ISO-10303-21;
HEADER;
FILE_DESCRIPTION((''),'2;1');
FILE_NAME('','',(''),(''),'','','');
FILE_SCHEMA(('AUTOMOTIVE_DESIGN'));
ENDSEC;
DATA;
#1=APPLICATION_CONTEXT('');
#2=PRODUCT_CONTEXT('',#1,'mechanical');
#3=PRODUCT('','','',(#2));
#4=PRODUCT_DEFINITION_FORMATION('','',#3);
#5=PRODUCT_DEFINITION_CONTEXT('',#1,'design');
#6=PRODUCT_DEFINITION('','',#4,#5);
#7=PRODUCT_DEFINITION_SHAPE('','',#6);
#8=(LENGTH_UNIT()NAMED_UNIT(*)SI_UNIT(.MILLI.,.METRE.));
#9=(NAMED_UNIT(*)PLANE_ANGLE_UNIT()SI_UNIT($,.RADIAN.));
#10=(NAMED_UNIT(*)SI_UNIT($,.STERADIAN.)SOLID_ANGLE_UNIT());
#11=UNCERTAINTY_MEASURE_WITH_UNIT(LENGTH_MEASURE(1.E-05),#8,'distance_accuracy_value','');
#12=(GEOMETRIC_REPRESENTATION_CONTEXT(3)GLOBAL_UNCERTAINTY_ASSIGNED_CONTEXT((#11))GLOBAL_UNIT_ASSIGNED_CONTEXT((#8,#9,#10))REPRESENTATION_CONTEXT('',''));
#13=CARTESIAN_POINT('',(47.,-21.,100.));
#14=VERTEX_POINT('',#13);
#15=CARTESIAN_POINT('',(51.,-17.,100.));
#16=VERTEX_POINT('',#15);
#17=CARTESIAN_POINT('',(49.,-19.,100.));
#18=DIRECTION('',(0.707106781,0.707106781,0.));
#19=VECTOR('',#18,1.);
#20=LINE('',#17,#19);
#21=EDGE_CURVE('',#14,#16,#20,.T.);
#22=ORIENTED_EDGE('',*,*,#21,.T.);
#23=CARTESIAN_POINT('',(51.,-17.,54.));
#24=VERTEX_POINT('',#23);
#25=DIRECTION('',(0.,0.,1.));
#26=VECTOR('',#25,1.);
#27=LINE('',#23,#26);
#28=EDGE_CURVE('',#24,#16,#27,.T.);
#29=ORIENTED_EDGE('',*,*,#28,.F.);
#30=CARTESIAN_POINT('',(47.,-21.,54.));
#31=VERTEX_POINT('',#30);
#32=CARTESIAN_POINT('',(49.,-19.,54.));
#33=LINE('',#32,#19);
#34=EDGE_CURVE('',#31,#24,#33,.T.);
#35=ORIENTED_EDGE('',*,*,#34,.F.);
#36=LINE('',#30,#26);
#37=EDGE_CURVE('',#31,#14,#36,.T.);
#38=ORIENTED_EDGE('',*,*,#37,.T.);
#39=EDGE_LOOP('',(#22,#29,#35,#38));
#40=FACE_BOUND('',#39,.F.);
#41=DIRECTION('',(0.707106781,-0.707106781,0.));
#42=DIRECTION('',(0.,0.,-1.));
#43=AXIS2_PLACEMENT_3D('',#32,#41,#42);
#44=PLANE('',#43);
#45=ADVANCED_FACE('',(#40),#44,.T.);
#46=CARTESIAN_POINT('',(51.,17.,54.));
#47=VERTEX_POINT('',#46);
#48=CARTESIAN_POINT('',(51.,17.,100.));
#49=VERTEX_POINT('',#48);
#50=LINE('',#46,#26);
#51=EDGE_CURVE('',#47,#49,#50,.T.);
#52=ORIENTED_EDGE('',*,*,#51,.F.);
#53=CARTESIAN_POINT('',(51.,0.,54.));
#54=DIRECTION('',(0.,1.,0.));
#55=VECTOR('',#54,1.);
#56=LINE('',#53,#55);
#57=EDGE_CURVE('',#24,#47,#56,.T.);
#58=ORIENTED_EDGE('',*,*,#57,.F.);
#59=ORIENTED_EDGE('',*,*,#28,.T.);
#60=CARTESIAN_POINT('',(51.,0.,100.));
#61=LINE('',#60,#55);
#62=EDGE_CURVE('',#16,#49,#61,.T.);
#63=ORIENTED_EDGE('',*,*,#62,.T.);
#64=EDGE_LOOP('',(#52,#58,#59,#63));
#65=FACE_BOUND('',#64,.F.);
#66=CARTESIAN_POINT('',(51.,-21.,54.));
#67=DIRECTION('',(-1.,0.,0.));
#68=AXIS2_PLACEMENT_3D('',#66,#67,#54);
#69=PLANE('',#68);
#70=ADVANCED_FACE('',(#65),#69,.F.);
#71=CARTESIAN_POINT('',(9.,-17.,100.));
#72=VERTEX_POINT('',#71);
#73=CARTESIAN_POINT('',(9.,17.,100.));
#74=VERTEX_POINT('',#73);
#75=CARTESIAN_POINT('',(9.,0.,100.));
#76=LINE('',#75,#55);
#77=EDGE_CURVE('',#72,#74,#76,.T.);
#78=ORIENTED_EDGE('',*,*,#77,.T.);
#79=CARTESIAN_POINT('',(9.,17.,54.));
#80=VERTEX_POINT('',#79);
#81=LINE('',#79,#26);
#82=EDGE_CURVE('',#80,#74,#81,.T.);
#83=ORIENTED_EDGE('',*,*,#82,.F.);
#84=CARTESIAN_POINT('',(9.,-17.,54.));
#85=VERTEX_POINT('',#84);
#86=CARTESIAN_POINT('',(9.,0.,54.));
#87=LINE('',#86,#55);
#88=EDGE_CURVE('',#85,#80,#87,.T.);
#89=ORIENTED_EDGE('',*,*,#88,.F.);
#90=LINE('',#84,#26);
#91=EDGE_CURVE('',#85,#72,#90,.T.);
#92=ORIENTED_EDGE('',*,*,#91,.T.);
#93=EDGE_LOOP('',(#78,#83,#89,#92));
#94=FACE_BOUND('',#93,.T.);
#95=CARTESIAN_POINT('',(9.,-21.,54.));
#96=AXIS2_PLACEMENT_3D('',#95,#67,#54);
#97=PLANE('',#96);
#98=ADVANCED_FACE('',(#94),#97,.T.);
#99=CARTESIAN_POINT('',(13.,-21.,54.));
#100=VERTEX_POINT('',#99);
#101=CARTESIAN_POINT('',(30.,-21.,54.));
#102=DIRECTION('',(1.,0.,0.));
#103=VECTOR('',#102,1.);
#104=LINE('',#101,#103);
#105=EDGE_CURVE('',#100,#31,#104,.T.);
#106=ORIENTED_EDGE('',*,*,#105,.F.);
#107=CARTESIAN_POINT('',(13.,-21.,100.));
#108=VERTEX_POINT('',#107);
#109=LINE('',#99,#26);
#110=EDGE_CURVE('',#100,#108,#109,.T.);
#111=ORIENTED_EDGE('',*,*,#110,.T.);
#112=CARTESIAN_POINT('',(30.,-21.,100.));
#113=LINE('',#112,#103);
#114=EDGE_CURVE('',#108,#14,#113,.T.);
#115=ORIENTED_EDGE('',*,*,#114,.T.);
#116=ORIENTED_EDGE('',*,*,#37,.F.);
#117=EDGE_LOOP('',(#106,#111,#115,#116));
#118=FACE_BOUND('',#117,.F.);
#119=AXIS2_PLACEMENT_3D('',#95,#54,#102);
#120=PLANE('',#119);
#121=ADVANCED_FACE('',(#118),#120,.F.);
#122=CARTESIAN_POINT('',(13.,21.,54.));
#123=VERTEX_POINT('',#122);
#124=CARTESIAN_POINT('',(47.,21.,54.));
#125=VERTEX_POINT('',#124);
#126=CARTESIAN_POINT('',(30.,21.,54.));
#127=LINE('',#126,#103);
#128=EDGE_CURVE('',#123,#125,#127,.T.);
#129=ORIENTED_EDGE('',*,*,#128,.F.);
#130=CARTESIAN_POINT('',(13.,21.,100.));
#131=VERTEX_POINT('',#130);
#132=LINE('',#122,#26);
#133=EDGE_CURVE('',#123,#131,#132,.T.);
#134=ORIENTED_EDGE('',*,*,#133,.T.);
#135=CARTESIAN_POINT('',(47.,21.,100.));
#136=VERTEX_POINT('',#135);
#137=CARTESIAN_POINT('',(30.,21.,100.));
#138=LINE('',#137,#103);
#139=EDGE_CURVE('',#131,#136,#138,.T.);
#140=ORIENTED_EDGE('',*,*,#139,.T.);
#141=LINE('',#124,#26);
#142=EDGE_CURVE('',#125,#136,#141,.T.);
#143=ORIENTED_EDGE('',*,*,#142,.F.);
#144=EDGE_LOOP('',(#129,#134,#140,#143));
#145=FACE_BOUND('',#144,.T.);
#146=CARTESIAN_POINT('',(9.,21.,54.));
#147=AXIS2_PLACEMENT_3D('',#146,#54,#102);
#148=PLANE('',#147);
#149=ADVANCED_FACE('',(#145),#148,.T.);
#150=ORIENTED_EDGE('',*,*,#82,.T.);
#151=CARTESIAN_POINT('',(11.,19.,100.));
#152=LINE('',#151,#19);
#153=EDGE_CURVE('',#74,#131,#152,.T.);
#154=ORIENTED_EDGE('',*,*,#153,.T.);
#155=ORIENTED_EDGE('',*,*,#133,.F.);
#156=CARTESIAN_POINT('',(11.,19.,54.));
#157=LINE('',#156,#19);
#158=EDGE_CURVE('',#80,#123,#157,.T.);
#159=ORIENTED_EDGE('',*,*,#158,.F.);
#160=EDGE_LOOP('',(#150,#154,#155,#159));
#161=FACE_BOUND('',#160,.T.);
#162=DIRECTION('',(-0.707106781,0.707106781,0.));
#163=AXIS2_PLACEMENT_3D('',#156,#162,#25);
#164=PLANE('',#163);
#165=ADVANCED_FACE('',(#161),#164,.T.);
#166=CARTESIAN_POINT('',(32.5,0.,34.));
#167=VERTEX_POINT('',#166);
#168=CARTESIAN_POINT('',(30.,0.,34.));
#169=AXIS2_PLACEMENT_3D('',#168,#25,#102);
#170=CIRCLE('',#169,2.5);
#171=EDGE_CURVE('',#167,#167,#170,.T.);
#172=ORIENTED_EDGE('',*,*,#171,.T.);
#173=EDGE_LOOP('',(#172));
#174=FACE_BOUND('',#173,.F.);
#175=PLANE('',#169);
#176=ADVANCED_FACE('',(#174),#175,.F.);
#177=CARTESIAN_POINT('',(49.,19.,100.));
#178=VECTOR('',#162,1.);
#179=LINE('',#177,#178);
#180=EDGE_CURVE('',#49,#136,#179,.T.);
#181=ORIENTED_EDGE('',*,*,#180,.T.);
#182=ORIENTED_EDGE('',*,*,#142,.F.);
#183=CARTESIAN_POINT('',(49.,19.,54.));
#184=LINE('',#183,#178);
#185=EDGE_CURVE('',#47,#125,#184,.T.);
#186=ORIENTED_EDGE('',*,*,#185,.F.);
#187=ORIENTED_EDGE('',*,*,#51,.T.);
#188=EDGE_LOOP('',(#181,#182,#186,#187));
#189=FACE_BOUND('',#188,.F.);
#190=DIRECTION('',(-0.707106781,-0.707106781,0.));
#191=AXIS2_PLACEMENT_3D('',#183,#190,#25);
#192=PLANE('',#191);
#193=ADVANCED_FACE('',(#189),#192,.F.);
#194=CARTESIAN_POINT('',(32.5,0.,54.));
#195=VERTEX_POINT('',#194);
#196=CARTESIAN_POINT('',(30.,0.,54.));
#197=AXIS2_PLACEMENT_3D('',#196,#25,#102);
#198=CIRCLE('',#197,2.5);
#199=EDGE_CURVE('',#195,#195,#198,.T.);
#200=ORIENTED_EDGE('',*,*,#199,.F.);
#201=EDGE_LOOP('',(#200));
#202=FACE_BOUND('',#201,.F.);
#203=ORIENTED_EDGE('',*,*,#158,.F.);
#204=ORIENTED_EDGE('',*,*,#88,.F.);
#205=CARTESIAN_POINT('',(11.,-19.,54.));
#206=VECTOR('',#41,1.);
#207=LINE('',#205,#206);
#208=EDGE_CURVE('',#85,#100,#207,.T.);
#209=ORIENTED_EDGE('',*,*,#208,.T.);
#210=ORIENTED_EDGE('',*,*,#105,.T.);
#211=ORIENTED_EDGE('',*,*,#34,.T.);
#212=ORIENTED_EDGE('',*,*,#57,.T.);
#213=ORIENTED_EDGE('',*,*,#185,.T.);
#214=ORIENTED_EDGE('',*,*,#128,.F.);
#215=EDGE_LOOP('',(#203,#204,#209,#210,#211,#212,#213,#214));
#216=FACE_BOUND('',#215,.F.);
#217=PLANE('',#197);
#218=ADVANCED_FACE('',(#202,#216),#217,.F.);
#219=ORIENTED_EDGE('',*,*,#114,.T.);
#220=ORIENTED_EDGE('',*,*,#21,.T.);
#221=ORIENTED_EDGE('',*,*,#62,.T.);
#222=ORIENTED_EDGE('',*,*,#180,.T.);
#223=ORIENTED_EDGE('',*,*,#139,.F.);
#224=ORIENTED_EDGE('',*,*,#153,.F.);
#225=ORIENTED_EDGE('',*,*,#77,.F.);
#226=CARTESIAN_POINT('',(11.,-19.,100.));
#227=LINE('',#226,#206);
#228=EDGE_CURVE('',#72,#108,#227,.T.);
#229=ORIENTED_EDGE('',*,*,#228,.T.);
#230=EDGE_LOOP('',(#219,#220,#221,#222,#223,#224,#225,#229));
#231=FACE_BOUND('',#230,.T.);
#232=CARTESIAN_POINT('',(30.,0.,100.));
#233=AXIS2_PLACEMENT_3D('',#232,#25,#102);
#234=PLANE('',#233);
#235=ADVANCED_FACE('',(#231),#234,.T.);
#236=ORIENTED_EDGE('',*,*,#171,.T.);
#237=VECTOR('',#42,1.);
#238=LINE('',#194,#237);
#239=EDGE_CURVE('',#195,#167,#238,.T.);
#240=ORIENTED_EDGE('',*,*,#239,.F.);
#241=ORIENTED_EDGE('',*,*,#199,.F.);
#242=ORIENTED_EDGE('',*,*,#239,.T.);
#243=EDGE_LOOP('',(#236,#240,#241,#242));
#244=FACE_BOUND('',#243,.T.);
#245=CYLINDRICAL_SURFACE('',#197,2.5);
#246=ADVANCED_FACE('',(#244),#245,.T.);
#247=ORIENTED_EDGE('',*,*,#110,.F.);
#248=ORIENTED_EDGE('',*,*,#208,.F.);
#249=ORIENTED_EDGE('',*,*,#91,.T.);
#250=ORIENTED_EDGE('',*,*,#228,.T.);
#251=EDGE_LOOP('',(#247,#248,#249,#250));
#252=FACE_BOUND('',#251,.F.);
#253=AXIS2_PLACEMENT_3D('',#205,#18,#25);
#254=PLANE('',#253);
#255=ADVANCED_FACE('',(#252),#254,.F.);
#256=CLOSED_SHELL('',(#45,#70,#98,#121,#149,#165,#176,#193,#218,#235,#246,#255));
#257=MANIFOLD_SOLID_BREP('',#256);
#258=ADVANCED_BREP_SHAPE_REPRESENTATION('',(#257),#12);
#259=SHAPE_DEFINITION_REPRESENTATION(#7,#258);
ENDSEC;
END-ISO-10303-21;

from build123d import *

# Parameters (mm, degrees)
SKETCH_W     = 42
SKETCH_H     = 42
PAD_DEPTH    = 46
CHAMFER_SIZE = 4
SKETCH001_R  = 2.5
PAD001_DEPTH = 20


with BuildPart() as part:
    # Sketch → Pad (new body)
    with BuildSketch(Plane.XY):
        Rectangle(SKETCH_W, SKETCH_H)
    extrude(amount=PAD_DEPTH)

    # Chamfer
    chamfer_edges = [part.edges().sort_by_distance(p)[0] for p in [
        (-21, 21, 23),
        (-21, -21, 23),
        (21, -21, 23),
        (21, 21, 23),
    ]]
    chamfer(chamfer_edges, length=CHAMFER_SIZE)

    # Sketch001 → Pad001 (join)
    with BuildSketch(Plane.XY):
        Circle(SKETCH001_R)
    extrude(amount=-PAD001_DEPTH)


with BuildPart() as part_1:
    # Body placement: moved
    add(part.part.moved(Location((30, 0, 54))))


solid = part_1.part
